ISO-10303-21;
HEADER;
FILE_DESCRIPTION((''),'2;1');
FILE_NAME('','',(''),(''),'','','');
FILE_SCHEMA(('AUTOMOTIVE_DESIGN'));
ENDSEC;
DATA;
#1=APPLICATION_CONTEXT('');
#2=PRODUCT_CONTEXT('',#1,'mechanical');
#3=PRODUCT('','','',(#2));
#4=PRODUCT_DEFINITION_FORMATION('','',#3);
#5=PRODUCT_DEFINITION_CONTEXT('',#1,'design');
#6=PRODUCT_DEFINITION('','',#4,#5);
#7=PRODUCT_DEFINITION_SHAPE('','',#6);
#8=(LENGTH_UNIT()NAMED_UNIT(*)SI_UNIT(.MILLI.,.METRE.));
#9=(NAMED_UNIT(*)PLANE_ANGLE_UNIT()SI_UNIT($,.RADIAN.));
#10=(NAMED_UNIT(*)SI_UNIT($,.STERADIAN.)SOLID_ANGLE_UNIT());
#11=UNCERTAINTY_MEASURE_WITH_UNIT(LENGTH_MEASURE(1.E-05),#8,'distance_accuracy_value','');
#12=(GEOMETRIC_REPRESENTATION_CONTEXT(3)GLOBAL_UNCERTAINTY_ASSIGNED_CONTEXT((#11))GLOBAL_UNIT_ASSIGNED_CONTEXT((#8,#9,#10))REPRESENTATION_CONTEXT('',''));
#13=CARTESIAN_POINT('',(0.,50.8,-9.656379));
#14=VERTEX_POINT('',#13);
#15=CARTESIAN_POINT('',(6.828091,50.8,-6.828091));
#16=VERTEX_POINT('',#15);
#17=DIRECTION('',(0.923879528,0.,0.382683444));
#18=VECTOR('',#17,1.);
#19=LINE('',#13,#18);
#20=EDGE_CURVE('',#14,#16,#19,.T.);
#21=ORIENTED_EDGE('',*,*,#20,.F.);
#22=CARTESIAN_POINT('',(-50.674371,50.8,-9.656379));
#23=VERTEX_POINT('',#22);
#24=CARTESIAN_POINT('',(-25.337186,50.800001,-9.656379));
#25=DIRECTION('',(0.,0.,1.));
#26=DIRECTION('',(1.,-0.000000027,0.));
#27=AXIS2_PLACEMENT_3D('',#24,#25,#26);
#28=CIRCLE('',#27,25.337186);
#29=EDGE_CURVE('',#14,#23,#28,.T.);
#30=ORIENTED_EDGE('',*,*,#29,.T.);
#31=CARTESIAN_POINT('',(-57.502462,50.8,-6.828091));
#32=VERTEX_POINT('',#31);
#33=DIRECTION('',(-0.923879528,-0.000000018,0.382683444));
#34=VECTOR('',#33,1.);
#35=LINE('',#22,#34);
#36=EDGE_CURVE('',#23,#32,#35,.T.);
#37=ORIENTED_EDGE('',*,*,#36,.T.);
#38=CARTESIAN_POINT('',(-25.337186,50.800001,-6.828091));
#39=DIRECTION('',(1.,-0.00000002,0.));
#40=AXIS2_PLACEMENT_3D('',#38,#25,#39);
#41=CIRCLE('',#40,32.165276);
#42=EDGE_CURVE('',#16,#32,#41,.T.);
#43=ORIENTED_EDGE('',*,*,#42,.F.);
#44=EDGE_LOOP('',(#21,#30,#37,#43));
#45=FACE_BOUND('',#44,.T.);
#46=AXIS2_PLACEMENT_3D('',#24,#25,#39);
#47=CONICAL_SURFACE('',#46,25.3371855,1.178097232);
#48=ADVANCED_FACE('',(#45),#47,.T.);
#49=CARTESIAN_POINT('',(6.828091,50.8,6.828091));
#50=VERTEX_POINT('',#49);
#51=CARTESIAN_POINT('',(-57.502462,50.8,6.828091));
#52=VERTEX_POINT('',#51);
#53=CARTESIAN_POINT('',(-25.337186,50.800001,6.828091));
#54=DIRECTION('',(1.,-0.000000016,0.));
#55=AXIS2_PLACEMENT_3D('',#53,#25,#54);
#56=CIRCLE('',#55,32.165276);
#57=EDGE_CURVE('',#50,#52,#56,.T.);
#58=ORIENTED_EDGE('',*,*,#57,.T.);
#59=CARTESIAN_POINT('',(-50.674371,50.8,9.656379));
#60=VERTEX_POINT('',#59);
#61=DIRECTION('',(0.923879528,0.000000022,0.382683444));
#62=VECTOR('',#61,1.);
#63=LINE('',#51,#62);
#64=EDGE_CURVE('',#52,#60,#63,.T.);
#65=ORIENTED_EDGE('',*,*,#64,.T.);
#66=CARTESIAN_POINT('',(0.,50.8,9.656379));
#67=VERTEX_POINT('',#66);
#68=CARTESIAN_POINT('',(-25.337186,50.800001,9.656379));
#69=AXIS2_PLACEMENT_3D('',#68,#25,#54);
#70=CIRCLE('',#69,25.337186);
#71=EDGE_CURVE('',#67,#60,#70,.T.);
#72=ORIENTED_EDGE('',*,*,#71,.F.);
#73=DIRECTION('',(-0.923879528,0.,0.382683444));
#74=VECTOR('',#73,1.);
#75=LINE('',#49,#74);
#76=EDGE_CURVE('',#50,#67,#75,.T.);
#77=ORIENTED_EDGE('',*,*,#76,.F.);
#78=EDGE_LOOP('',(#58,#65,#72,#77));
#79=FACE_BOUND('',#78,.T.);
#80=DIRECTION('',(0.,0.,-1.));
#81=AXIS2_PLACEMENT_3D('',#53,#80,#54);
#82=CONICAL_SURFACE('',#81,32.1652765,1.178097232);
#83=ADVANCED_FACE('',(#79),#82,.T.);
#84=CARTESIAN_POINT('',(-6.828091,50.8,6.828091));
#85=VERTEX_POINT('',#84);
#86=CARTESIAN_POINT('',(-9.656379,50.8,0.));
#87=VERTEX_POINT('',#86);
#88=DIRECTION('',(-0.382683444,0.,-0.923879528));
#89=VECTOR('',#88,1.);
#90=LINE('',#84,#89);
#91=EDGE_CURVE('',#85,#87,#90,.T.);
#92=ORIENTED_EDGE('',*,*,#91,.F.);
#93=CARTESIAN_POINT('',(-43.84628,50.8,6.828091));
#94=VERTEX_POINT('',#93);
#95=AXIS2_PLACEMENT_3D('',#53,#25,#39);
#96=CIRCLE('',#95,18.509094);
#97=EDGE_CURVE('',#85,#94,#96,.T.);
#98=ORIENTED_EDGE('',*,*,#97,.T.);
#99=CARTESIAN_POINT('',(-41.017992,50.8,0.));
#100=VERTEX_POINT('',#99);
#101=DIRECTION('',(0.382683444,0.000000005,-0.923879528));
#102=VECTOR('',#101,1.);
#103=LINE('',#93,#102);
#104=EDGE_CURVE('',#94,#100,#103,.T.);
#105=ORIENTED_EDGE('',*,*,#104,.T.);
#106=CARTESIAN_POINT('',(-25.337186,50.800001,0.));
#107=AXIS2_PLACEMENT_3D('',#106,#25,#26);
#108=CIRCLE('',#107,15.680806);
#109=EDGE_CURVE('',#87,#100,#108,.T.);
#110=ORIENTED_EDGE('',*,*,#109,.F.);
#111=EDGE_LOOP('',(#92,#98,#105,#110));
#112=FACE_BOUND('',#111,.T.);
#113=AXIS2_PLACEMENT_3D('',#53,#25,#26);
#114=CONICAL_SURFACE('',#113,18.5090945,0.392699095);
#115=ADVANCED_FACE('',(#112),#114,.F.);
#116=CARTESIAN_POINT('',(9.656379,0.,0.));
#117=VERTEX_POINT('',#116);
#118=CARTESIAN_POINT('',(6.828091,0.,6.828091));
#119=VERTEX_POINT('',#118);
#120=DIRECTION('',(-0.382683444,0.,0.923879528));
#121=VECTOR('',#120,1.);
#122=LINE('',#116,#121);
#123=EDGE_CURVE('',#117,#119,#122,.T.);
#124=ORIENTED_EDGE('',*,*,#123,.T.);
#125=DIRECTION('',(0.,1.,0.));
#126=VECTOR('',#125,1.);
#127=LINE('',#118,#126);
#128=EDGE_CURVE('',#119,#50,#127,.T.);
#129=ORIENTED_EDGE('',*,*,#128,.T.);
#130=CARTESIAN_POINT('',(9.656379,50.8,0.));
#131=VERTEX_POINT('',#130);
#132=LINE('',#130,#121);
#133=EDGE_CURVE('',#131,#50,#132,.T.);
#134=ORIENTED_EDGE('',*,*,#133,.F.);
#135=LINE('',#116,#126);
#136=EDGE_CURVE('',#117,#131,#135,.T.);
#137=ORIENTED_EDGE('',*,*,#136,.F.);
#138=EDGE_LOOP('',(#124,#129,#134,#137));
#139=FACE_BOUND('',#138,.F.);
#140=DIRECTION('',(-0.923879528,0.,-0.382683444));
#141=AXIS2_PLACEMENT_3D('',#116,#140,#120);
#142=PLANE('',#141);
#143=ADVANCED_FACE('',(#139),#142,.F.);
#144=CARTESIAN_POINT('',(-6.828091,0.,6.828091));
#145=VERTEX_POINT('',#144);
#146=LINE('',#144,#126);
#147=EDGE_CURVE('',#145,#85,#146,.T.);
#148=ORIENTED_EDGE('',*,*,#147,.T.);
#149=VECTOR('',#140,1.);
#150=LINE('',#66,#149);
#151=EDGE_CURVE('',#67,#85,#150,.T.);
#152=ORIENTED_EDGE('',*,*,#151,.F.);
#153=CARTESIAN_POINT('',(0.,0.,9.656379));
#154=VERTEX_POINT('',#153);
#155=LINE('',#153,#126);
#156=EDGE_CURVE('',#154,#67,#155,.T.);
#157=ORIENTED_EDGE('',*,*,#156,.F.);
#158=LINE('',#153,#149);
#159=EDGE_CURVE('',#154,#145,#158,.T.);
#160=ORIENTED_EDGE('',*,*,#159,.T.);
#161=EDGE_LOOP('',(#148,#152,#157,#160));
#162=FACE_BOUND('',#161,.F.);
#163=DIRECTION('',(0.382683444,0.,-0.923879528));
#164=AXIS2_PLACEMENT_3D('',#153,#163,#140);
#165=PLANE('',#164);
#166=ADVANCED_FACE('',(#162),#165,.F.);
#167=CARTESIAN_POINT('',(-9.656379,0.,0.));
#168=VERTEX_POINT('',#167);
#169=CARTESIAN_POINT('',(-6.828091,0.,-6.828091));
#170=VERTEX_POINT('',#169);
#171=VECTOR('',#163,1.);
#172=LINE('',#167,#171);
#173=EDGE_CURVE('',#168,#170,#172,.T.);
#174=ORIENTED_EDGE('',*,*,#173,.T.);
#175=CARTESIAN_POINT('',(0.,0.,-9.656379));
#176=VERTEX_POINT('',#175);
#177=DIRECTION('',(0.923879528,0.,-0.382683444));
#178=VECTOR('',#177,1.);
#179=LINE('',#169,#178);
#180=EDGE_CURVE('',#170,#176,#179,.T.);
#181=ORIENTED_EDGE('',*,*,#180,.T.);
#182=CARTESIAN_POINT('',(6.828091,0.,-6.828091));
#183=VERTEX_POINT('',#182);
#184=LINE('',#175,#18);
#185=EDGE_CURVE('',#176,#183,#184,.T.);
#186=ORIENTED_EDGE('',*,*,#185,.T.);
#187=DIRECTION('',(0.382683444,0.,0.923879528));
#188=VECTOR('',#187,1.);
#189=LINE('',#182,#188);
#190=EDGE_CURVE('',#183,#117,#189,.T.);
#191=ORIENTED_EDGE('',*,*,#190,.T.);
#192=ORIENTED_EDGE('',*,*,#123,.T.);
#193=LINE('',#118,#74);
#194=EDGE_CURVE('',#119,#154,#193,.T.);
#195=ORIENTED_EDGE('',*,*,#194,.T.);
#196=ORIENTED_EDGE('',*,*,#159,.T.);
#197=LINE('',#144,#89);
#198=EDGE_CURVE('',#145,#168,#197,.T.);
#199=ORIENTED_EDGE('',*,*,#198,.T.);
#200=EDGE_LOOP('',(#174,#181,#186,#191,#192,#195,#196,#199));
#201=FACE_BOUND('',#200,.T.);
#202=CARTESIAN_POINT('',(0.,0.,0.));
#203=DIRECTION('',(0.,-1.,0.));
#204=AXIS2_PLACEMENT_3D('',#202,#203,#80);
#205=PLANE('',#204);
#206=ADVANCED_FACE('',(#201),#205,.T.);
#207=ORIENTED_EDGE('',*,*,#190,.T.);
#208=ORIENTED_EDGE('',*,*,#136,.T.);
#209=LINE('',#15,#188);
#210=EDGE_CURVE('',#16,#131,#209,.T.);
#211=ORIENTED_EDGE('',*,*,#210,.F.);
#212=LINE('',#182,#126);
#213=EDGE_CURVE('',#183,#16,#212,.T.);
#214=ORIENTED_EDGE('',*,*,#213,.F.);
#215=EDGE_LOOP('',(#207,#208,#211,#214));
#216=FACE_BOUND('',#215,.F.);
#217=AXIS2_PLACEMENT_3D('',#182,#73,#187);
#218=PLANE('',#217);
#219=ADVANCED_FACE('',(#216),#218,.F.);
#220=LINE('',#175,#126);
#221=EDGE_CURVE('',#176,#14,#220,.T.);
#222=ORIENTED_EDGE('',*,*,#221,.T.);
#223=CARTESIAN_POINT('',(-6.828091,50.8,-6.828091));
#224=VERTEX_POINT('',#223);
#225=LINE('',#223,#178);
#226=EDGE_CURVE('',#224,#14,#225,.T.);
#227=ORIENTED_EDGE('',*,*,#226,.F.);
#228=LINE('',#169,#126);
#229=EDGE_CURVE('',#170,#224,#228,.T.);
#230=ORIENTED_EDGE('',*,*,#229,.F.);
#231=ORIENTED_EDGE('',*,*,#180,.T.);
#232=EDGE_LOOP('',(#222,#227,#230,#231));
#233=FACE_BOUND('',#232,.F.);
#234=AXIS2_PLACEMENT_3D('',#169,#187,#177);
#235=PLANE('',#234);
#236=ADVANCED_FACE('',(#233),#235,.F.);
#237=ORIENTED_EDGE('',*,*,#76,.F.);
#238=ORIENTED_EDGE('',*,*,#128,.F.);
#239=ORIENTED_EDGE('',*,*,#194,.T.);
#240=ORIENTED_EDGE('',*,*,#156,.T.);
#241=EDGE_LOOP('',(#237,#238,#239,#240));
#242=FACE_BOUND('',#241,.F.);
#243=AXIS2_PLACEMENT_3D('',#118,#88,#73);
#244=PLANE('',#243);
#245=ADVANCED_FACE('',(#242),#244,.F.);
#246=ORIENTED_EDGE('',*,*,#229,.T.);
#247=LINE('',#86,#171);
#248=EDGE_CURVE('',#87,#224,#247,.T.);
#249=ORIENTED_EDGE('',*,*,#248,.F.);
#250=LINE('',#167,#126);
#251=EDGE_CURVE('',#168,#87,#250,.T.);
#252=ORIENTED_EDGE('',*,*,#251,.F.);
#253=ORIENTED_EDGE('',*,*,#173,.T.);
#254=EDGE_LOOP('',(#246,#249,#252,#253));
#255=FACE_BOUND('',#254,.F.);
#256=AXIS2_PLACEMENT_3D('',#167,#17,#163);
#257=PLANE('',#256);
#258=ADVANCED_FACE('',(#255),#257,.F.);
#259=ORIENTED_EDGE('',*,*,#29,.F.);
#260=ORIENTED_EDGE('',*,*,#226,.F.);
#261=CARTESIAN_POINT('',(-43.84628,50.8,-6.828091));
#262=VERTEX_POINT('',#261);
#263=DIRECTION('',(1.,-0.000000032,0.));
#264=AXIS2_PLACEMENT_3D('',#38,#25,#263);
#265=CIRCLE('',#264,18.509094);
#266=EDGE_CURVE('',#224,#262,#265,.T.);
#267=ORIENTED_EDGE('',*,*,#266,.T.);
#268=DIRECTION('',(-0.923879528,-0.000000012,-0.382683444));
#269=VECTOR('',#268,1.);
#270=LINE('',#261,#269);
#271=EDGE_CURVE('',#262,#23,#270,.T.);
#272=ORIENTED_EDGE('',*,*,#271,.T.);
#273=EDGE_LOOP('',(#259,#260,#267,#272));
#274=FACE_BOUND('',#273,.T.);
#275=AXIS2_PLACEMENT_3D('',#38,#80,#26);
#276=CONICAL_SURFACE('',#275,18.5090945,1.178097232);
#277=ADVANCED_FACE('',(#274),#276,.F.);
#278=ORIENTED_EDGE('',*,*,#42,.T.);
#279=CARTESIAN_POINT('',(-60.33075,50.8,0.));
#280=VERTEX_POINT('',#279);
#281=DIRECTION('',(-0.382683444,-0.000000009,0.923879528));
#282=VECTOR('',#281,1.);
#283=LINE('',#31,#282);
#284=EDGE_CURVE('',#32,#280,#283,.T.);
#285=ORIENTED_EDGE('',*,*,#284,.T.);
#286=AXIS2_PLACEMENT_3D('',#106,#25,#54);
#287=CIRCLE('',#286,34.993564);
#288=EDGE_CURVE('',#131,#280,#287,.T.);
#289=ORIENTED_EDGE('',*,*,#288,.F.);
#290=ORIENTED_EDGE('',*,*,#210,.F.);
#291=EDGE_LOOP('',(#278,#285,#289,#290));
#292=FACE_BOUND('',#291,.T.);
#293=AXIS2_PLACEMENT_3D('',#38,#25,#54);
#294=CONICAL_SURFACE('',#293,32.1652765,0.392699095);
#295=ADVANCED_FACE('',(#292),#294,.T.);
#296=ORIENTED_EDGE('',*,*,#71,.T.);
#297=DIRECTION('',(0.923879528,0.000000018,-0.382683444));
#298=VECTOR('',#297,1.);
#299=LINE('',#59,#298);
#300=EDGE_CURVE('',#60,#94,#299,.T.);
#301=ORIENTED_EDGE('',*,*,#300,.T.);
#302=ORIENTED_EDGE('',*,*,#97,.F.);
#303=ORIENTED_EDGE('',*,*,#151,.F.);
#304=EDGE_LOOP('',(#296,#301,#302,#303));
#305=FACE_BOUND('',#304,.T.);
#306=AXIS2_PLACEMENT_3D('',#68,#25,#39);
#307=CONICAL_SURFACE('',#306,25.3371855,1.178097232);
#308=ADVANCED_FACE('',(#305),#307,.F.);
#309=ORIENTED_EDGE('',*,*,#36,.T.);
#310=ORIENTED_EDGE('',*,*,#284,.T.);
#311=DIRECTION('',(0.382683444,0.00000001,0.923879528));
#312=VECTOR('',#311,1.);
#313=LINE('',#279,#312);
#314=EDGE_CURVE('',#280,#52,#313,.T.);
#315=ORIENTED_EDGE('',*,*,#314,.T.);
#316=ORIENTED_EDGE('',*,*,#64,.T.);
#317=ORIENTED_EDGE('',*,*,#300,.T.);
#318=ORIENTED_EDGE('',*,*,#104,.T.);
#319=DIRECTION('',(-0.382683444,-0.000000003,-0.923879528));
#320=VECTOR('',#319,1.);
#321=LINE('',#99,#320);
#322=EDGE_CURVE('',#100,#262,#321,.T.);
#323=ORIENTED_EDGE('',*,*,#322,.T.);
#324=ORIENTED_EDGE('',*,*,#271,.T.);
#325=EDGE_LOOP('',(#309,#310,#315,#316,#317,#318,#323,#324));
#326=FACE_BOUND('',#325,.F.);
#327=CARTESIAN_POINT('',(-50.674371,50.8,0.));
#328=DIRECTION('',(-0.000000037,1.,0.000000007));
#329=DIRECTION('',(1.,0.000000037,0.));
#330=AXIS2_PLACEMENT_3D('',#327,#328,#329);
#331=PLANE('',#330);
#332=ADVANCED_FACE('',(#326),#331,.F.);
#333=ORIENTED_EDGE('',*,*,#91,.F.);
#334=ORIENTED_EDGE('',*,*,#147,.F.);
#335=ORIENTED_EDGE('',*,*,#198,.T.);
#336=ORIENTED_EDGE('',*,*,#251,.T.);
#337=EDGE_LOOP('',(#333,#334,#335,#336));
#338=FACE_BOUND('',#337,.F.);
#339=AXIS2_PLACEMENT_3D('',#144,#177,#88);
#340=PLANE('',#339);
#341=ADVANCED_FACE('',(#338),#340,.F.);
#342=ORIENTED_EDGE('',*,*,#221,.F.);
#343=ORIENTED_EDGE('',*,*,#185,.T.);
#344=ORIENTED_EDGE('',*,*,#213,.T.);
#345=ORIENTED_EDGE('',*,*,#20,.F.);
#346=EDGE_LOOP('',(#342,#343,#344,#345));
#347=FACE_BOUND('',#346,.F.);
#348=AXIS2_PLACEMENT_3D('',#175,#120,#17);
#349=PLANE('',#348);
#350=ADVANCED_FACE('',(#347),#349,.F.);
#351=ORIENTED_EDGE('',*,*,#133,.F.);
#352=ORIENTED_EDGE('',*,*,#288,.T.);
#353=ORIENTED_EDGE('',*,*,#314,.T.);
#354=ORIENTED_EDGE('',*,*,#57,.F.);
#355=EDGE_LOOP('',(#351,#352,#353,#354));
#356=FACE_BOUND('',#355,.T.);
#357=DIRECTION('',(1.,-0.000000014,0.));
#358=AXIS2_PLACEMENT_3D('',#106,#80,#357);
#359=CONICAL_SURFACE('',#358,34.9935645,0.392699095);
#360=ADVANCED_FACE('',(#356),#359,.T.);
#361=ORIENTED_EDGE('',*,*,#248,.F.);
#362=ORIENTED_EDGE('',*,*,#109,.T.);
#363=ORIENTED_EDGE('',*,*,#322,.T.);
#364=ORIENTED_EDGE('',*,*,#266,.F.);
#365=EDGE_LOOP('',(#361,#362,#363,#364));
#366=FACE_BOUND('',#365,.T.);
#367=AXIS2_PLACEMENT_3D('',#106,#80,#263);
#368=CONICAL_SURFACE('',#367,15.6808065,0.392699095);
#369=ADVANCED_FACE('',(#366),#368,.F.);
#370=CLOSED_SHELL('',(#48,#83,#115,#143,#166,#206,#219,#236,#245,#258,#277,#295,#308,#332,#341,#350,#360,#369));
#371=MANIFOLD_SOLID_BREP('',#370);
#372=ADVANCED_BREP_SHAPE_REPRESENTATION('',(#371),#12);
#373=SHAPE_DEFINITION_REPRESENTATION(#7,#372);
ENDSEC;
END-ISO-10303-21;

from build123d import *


with BuildPart() as f2:
    # F2: sweep along a path in F0
    with BuildLine(Plane.XY) as f2_path:
        Line((0, 0), (0, 50.8))
        ThreePointArc((0, 50.8), (-25.337186, 76.137186), (-50.674371, 50.8))
    # F1 (on Front) → F2 (sweep)
    with BuildSketch(Plane.XZ):
        Polygon((6.828091, 6.828091), (0, 9.656379), (-6.828091, 6.828091), (-9.656379, 0), (-6.828091, -6.828091), (0, -9.656379), (6.828091, -6.828091), (9.656379, 0), align=None)
    sweep(path=f2_path.line)


solid = f2.part
